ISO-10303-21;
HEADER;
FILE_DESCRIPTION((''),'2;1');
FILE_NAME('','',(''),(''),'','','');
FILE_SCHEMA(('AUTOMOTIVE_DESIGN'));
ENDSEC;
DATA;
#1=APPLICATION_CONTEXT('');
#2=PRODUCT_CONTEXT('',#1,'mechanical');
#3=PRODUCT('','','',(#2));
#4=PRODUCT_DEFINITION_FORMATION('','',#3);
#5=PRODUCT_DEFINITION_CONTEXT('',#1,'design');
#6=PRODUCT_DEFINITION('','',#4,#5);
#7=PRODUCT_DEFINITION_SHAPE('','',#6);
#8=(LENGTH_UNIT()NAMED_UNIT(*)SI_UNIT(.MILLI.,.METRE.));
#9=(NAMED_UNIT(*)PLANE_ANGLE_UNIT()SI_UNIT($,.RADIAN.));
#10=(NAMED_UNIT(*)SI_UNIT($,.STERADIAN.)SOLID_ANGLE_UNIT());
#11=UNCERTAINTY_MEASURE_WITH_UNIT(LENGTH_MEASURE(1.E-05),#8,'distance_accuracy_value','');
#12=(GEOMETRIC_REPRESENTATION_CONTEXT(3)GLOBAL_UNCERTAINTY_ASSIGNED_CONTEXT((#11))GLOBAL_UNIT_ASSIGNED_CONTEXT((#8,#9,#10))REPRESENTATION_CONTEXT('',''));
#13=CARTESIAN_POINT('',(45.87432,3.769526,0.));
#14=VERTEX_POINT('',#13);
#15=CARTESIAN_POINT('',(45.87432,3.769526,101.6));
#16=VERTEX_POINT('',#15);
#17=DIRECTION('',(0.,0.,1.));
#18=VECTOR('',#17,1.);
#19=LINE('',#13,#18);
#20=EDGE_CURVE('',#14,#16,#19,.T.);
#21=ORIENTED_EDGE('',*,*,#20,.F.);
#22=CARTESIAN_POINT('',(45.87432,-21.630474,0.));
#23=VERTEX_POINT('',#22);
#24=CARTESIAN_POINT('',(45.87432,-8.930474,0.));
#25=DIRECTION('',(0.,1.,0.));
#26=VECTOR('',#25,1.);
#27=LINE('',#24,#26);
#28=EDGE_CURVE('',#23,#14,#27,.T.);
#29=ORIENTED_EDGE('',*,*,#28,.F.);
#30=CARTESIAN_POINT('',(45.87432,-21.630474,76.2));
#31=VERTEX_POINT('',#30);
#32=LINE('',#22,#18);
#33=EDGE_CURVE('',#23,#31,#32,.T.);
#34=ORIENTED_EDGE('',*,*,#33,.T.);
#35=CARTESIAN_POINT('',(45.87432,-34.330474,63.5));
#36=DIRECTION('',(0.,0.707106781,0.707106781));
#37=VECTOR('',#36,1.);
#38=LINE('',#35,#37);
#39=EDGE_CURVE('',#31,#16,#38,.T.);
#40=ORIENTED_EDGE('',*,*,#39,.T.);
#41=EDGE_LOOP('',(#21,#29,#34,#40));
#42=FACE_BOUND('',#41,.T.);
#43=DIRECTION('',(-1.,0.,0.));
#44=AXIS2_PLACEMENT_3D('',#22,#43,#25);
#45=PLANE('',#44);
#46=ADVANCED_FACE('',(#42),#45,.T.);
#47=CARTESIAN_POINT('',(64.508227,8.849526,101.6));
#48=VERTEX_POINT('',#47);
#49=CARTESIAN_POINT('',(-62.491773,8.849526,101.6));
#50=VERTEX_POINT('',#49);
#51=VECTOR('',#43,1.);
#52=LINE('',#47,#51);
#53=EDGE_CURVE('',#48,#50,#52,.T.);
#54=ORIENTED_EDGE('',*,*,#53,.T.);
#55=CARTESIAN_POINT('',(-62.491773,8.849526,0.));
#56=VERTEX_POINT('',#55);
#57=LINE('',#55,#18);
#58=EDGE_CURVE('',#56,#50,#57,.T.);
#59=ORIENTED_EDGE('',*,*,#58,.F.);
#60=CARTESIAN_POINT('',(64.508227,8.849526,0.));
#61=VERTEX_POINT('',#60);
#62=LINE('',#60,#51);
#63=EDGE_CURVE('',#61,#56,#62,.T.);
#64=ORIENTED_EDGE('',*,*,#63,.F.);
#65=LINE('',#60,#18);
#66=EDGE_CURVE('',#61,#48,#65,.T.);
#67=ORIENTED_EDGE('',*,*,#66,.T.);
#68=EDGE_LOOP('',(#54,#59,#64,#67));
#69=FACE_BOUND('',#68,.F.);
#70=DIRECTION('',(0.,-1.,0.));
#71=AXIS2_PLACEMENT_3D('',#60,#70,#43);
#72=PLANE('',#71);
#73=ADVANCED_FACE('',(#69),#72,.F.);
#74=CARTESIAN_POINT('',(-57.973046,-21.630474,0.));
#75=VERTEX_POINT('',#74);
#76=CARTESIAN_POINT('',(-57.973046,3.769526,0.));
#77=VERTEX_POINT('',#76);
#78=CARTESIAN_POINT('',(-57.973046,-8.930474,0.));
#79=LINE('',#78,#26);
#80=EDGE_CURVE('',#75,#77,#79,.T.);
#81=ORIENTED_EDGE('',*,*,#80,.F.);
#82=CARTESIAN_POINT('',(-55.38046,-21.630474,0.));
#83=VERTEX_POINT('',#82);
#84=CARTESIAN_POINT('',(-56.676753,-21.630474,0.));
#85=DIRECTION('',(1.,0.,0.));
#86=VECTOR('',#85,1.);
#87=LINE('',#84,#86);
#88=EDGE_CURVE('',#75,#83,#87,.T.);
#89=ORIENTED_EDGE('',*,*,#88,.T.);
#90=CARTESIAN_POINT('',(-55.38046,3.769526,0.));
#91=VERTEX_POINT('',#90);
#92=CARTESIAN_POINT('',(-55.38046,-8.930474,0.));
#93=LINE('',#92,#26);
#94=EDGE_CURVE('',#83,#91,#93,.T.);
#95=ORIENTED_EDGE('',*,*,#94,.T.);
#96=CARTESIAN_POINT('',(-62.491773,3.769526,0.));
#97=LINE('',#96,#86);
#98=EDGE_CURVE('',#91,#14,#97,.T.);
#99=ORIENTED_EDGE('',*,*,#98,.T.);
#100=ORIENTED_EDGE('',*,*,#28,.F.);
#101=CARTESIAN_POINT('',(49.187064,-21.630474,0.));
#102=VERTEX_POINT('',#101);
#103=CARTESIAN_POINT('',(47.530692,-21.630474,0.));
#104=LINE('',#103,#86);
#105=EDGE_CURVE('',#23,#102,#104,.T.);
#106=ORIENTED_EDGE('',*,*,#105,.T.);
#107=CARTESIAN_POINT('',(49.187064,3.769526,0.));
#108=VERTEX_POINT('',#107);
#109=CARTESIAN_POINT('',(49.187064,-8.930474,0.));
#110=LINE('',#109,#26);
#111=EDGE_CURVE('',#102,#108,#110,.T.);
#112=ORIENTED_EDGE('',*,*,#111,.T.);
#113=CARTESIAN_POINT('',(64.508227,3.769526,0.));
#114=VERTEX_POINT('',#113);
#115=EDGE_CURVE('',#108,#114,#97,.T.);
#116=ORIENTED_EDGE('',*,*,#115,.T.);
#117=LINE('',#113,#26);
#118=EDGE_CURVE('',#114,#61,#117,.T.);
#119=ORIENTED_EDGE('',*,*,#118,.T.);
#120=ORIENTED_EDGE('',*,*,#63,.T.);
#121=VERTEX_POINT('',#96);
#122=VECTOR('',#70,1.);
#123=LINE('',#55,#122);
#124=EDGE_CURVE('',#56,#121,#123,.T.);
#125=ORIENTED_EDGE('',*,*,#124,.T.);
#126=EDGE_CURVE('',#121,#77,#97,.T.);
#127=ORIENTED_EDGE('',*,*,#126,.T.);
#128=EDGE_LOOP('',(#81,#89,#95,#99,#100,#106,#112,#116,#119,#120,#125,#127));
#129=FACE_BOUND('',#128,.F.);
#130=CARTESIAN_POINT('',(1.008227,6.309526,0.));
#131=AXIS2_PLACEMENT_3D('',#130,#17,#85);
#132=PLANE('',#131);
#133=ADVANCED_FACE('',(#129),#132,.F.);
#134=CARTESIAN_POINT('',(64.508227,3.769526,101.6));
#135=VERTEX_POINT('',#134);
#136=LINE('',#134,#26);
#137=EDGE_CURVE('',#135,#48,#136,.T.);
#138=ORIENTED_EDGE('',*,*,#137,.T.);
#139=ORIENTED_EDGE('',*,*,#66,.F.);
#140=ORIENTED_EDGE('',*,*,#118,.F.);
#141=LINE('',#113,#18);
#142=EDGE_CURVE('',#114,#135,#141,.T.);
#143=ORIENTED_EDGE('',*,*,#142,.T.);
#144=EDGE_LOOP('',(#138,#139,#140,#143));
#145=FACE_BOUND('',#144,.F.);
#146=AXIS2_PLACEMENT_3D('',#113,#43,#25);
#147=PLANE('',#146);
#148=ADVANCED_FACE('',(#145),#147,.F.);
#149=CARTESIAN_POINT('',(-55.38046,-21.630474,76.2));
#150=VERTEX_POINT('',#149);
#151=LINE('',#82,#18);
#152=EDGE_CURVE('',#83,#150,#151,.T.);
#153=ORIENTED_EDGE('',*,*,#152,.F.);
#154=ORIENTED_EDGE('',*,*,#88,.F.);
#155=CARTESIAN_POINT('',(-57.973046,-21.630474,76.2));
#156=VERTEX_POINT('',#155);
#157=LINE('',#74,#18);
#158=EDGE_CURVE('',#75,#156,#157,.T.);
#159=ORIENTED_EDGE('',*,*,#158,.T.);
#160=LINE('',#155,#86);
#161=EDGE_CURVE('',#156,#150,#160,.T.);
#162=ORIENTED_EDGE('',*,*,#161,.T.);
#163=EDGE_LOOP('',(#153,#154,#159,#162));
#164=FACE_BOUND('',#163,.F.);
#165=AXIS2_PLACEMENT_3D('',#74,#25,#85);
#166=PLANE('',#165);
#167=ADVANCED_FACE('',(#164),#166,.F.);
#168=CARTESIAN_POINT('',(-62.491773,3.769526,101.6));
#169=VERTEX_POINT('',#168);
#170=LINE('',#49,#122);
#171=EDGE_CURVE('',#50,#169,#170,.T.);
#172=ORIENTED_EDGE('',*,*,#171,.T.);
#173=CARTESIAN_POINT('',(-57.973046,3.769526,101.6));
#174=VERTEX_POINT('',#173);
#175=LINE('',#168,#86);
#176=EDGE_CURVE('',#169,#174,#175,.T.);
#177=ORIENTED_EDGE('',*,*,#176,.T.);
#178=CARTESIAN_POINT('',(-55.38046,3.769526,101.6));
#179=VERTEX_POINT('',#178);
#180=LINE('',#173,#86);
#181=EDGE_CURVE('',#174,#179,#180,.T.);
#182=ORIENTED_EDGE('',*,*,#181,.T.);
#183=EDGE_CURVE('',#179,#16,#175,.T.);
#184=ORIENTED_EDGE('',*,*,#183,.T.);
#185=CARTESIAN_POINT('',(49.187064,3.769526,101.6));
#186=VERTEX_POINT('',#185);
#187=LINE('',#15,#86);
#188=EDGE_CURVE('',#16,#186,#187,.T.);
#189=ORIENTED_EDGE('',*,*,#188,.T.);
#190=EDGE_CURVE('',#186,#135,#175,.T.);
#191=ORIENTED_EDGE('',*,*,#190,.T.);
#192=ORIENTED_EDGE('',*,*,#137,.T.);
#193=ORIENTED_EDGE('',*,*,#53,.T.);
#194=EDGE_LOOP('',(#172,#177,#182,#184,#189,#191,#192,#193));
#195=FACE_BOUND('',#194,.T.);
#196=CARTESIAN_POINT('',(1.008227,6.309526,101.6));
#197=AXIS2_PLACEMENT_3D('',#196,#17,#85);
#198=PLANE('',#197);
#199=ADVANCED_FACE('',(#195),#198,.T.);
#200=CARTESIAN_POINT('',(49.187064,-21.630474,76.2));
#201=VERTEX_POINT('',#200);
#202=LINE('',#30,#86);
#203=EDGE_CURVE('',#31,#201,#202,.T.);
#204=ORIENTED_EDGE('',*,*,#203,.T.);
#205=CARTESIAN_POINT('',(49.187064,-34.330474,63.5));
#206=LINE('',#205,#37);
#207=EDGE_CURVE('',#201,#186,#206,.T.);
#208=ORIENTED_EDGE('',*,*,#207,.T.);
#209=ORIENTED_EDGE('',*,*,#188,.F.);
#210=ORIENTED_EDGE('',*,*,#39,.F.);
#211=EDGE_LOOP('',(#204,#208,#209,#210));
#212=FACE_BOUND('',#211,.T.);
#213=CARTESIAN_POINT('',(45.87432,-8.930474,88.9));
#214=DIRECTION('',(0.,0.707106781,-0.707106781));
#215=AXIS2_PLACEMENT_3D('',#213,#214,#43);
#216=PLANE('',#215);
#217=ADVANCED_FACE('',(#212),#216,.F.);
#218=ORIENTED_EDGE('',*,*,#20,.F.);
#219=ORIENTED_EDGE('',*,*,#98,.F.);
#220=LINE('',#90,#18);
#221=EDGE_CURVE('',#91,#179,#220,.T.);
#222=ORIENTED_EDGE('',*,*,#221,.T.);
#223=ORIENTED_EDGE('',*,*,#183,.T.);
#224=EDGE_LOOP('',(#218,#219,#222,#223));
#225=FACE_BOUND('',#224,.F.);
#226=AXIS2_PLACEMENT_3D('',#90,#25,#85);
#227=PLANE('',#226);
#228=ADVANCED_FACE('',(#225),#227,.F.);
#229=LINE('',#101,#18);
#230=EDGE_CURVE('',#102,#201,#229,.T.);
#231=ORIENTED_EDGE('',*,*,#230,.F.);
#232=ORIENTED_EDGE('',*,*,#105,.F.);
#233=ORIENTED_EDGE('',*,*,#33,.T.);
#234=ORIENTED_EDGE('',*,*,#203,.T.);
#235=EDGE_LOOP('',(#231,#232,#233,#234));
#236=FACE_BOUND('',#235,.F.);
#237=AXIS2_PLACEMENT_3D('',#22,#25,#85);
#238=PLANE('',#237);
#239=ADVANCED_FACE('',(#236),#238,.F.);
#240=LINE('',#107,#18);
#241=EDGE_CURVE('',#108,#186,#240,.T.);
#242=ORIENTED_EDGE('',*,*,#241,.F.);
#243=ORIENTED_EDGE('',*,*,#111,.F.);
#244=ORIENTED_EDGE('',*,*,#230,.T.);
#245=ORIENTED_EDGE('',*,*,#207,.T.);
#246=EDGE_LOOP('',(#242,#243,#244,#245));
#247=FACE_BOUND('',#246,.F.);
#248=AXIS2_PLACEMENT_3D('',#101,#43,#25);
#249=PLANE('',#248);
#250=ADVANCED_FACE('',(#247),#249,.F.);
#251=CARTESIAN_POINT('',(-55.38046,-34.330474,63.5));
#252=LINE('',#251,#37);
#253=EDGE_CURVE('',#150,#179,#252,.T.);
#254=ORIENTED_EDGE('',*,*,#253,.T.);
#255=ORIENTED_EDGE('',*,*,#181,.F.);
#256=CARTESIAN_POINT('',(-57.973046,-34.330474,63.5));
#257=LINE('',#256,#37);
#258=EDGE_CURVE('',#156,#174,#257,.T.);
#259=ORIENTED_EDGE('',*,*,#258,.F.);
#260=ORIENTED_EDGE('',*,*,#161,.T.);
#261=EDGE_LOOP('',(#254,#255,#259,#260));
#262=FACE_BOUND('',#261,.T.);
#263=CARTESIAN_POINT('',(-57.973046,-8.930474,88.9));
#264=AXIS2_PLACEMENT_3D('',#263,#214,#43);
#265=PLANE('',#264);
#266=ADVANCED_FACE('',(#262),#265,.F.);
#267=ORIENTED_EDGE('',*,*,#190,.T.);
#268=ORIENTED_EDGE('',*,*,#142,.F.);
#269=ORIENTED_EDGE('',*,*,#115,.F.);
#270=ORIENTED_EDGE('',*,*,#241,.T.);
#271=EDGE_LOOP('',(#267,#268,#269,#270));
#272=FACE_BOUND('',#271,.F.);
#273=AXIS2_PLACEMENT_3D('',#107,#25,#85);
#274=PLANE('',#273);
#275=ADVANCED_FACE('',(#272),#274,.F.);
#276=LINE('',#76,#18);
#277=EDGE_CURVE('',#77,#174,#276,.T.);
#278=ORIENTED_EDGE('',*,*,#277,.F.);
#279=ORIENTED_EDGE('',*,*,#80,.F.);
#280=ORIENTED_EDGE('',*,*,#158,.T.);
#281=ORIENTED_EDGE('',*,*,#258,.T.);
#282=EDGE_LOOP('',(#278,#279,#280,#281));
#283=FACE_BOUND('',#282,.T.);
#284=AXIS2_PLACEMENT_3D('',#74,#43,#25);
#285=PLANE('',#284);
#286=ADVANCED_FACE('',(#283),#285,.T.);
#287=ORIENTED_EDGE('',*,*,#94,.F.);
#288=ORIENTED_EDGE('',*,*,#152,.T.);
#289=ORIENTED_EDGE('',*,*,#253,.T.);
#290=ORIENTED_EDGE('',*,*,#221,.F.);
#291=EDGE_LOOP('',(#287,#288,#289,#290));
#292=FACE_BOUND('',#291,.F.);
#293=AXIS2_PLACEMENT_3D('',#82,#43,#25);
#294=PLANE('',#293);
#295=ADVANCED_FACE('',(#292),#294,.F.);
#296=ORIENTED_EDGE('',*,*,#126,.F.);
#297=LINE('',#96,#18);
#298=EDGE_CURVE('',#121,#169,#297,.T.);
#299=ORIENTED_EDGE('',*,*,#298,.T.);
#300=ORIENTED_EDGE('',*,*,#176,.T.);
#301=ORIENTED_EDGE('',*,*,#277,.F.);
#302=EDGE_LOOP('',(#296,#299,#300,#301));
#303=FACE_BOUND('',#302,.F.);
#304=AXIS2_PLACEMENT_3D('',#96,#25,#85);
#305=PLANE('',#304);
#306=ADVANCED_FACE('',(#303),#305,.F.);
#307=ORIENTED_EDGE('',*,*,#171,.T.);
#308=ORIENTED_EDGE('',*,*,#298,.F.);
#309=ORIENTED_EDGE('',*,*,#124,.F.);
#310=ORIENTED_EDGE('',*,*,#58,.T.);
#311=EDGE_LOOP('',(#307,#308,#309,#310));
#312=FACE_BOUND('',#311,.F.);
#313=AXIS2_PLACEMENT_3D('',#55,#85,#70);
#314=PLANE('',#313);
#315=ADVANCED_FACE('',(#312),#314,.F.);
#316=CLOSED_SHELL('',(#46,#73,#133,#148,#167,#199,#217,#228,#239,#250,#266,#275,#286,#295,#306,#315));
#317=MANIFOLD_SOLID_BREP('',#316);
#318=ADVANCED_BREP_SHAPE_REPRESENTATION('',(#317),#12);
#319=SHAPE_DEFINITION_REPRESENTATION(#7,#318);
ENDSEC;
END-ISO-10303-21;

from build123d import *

# Parameters (mm, degrees)
F0_W     = 2.592586
F0_H     = 25.4
F0_W_2   = 3.312744
F1_DEPTH = 101.6
F2_SIZE  = 25.4


with BuildPart() as f1:
    # F0 (on Top) → F1 (new body)
    with BuildSketch(Plane.XY):
        Polygon((-62.491773, 8.849526), (-62.491773, 3.769526), (-57.973046, 3.769526), (-55.38046, 3.769526), (45.87432, 3.769526), (49.187064, 3.769526), (64.508227, 3.769526), (64.508227, 8.849526), align=None)
        with Locations((-56.676753, -8.930474)):
            Rectangle(F0_W, F0_H)
        with Locations((47.530692, -8.930474)):
            Rectangle(F0_W_2, F0_H)
    extrude(amount=F1_DEPTH)

    # F2
    f2_edges = [f1.edges().sort_by_distance(p)[0] for p in [
        (-56.676753, -21.630474, 101.6),
        (47.530692, -21.630474, 101.6),
    ]]
    chamfer(f2_edges, length=F2_SIZE)


solid = f1.part
